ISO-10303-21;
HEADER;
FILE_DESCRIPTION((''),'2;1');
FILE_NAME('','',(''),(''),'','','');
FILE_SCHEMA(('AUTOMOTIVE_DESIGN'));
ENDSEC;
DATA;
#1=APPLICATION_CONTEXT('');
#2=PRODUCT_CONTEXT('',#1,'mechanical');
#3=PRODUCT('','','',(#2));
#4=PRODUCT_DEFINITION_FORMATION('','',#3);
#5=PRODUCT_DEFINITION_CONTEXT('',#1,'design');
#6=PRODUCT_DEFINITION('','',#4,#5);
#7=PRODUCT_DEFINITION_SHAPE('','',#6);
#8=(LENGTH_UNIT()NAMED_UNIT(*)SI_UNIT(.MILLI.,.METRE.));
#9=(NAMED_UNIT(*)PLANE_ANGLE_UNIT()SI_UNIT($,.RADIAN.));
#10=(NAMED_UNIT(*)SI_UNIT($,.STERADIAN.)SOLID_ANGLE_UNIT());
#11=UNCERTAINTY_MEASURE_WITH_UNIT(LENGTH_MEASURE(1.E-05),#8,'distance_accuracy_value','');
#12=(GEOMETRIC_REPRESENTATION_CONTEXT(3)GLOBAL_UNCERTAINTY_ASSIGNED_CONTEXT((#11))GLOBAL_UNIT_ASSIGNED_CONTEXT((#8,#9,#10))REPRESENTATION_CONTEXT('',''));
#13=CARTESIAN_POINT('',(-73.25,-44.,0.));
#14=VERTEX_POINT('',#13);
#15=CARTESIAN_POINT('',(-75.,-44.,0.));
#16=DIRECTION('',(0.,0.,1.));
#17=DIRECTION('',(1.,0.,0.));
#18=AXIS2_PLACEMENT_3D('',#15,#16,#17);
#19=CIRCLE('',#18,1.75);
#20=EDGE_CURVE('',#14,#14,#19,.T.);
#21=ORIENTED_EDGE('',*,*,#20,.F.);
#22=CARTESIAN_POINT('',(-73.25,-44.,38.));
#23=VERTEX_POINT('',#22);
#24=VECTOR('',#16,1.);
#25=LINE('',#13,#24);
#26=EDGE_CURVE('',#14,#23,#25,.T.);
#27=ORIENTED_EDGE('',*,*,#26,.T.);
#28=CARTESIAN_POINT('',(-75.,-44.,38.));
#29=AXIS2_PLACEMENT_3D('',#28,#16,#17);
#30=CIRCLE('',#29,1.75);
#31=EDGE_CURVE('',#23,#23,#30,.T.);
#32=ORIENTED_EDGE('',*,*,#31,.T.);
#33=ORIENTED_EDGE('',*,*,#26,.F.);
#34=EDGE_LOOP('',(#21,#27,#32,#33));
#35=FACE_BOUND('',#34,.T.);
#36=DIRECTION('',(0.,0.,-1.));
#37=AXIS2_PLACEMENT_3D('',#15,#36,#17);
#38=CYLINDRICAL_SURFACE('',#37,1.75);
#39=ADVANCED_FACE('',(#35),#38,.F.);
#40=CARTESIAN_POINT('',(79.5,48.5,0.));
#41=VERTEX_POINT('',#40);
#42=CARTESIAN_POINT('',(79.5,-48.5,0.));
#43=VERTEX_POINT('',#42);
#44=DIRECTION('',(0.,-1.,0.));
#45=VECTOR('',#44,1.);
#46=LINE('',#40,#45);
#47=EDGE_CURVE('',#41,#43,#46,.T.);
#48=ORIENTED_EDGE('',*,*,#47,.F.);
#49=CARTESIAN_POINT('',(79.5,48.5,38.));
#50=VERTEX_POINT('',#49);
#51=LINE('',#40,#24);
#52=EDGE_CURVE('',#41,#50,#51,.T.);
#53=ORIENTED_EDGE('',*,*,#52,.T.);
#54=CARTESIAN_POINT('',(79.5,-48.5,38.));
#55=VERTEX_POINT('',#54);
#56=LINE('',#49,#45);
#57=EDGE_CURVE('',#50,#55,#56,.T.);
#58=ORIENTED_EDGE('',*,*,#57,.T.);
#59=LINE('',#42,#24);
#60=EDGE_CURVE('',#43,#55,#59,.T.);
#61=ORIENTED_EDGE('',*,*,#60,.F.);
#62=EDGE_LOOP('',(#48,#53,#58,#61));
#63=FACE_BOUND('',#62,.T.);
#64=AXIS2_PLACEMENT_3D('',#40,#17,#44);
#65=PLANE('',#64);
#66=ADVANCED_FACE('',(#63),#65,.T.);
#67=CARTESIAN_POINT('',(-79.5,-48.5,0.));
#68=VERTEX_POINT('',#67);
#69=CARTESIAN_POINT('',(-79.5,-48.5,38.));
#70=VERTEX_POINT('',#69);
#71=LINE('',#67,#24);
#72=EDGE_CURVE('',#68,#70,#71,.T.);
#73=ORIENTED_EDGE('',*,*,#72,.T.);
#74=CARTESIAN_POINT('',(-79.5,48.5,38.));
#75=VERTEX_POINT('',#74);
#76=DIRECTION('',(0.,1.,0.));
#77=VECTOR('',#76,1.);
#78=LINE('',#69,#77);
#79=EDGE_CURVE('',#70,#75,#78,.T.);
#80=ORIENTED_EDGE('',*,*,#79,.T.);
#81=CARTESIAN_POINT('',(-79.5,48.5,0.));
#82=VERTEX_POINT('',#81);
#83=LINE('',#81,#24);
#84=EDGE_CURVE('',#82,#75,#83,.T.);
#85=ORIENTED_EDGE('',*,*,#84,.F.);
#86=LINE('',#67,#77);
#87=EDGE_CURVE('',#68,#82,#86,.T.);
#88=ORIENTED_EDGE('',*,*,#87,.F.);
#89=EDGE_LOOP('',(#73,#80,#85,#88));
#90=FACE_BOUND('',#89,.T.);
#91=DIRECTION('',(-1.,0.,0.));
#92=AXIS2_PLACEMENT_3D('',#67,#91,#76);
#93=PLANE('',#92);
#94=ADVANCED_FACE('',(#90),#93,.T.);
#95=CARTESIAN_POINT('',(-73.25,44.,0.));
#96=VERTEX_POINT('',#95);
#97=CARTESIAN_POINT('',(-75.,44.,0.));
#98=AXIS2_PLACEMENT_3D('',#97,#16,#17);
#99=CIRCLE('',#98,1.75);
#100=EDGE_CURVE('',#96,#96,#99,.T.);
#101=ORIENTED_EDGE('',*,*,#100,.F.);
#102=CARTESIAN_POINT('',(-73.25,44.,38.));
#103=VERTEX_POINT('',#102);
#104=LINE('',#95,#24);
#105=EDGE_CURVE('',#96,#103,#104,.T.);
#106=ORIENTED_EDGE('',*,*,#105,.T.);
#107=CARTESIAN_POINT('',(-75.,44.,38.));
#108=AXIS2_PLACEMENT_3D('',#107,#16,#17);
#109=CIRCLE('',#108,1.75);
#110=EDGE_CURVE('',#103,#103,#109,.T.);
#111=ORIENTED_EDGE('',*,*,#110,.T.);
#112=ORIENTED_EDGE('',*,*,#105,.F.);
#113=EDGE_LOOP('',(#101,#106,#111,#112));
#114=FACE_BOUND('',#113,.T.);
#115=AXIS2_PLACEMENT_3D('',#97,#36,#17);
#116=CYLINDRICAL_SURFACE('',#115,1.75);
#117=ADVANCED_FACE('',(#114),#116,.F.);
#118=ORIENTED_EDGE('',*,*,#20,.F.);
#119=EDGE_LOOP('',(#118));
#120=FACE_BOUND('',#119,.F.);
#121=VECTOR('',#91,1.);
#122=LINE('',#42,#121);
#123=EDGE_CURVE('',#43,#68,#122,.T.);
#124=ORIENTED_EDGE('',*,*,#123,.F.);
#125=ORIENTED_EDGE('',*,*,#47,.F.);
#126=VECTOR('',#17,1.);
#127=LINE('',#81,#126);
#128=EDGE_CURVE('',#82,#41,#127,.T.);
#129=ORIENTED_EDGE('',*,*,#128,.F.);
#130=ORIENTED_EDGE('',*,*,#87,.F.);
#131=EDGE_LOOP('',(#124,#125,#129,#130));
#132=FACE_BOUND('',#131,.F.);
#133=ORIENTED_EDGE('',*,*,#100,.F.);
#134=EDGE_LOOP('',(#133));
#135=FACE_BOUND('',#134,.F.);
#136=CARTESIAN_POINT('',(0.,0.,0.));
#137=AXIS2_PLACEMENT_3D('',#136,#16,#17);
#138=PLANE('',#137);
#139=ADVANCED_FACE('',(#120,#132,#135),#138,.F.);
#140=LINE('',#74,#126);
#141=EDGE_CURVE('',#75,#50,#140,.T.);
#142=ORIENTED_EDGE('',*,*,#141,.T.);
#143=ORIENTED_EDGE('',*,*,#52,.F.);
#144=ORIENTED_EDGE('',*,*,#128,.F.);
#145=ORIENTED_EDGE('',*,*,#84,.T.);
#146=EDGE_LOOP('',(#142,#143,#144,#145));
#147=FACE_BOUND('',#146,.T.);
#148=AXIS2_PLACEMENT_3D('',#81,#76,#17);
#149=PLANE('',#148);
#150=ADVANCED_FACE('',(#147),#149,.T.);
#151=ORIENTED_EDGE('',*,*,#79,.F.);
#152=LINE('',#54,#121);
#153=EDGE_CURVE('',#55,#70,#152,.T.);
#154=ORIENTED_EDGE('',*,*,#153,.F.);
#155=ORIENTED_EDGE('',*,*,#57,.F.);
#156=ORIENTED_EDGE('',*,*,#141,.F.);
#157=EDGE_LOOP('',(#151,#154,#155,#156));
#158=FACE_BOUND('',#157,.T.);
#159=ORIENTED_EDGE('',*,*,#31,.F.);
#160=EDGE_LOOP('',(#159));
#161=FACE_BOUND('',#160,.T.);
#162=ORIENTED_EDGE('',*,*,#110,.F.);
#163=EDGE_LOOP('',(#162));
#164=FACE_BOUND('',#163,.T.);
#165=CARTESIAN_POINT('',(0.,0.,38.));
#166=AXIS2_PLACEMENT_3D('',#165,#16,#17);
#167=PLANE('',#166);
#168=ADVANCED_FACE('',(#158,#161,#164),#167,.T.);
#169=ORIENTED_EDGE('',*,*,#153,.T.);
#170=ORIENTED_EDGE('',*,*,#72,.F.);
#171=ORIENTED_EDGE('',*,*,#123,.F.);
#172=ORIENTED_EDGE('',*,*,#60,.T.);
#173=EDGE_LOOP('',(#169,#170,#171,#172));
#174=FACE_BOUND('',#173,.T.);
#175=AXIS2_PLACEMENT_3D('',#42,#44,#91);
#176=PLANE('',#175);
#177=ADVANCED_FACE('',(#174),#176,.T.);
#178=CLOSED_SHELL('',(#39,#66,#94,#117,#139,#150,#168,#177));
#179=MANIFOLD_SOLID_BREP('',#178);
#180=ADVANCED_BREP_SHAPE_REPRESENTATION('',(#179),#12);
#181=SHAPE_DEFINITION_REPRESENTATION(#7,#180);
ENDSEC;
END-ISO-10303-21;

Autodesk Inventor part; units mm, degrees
ref_plane "YZ Plane" through (0, 0, 0) normal (1, 0, 0) x (0, 1, 0)
ref_plane "XZ Plane" through (0, 0, 0) normal (0, 1, 0) x (-1, 0, 0)
ref_plane "XY Plane" through (0, 0, 0) normal (0, 0, 1) x (1, 0, 0)
sketch "스케치1" plane through (0, 0, 0) normal (0, 0, 1) x (1, 0, 0)
  line L0 (-79.5, 48.5) -> (79.5, 48.5)
  line L1 (79.5, 48.5) -> (79.5, -48.5)
  line L2 (79.5, -48.5) -> (-79.5, -48.5)
  line L3 (-79.5, -48.5) -> (-79.5, 48.5)
  line L4 (-79.5, 48.5) -> (79.5, -48.5) construction
  line L5 (79.5, 48.5) -> (-79.5, -48.5) construction
  line L6 (-91.9522, 44) -> (117.9922, 44) construction
  line L7 (-91.9522, -44) -> (123.3329, -44) construction
  line L8 (-75, 56.2036) -> (-75, -62.2124) construction
  circle A0 centre (-75, 44) radius 1.75
  circle A1 centre (-75, -44) radius 1.75
  point P0 (0, 0)
  dimension "d0" = 159
  dimension "d1" = 97
  dimension "d2" = 4.5
  dimension "d3" = 4.5
  dimension "d4" = 4.5
  dimension "d5" = 3.5
  dimension "d6" = 3.5
extrude "돌출1" add sketch "스케치1" along normal blind 38
properties part number "SMPS"
